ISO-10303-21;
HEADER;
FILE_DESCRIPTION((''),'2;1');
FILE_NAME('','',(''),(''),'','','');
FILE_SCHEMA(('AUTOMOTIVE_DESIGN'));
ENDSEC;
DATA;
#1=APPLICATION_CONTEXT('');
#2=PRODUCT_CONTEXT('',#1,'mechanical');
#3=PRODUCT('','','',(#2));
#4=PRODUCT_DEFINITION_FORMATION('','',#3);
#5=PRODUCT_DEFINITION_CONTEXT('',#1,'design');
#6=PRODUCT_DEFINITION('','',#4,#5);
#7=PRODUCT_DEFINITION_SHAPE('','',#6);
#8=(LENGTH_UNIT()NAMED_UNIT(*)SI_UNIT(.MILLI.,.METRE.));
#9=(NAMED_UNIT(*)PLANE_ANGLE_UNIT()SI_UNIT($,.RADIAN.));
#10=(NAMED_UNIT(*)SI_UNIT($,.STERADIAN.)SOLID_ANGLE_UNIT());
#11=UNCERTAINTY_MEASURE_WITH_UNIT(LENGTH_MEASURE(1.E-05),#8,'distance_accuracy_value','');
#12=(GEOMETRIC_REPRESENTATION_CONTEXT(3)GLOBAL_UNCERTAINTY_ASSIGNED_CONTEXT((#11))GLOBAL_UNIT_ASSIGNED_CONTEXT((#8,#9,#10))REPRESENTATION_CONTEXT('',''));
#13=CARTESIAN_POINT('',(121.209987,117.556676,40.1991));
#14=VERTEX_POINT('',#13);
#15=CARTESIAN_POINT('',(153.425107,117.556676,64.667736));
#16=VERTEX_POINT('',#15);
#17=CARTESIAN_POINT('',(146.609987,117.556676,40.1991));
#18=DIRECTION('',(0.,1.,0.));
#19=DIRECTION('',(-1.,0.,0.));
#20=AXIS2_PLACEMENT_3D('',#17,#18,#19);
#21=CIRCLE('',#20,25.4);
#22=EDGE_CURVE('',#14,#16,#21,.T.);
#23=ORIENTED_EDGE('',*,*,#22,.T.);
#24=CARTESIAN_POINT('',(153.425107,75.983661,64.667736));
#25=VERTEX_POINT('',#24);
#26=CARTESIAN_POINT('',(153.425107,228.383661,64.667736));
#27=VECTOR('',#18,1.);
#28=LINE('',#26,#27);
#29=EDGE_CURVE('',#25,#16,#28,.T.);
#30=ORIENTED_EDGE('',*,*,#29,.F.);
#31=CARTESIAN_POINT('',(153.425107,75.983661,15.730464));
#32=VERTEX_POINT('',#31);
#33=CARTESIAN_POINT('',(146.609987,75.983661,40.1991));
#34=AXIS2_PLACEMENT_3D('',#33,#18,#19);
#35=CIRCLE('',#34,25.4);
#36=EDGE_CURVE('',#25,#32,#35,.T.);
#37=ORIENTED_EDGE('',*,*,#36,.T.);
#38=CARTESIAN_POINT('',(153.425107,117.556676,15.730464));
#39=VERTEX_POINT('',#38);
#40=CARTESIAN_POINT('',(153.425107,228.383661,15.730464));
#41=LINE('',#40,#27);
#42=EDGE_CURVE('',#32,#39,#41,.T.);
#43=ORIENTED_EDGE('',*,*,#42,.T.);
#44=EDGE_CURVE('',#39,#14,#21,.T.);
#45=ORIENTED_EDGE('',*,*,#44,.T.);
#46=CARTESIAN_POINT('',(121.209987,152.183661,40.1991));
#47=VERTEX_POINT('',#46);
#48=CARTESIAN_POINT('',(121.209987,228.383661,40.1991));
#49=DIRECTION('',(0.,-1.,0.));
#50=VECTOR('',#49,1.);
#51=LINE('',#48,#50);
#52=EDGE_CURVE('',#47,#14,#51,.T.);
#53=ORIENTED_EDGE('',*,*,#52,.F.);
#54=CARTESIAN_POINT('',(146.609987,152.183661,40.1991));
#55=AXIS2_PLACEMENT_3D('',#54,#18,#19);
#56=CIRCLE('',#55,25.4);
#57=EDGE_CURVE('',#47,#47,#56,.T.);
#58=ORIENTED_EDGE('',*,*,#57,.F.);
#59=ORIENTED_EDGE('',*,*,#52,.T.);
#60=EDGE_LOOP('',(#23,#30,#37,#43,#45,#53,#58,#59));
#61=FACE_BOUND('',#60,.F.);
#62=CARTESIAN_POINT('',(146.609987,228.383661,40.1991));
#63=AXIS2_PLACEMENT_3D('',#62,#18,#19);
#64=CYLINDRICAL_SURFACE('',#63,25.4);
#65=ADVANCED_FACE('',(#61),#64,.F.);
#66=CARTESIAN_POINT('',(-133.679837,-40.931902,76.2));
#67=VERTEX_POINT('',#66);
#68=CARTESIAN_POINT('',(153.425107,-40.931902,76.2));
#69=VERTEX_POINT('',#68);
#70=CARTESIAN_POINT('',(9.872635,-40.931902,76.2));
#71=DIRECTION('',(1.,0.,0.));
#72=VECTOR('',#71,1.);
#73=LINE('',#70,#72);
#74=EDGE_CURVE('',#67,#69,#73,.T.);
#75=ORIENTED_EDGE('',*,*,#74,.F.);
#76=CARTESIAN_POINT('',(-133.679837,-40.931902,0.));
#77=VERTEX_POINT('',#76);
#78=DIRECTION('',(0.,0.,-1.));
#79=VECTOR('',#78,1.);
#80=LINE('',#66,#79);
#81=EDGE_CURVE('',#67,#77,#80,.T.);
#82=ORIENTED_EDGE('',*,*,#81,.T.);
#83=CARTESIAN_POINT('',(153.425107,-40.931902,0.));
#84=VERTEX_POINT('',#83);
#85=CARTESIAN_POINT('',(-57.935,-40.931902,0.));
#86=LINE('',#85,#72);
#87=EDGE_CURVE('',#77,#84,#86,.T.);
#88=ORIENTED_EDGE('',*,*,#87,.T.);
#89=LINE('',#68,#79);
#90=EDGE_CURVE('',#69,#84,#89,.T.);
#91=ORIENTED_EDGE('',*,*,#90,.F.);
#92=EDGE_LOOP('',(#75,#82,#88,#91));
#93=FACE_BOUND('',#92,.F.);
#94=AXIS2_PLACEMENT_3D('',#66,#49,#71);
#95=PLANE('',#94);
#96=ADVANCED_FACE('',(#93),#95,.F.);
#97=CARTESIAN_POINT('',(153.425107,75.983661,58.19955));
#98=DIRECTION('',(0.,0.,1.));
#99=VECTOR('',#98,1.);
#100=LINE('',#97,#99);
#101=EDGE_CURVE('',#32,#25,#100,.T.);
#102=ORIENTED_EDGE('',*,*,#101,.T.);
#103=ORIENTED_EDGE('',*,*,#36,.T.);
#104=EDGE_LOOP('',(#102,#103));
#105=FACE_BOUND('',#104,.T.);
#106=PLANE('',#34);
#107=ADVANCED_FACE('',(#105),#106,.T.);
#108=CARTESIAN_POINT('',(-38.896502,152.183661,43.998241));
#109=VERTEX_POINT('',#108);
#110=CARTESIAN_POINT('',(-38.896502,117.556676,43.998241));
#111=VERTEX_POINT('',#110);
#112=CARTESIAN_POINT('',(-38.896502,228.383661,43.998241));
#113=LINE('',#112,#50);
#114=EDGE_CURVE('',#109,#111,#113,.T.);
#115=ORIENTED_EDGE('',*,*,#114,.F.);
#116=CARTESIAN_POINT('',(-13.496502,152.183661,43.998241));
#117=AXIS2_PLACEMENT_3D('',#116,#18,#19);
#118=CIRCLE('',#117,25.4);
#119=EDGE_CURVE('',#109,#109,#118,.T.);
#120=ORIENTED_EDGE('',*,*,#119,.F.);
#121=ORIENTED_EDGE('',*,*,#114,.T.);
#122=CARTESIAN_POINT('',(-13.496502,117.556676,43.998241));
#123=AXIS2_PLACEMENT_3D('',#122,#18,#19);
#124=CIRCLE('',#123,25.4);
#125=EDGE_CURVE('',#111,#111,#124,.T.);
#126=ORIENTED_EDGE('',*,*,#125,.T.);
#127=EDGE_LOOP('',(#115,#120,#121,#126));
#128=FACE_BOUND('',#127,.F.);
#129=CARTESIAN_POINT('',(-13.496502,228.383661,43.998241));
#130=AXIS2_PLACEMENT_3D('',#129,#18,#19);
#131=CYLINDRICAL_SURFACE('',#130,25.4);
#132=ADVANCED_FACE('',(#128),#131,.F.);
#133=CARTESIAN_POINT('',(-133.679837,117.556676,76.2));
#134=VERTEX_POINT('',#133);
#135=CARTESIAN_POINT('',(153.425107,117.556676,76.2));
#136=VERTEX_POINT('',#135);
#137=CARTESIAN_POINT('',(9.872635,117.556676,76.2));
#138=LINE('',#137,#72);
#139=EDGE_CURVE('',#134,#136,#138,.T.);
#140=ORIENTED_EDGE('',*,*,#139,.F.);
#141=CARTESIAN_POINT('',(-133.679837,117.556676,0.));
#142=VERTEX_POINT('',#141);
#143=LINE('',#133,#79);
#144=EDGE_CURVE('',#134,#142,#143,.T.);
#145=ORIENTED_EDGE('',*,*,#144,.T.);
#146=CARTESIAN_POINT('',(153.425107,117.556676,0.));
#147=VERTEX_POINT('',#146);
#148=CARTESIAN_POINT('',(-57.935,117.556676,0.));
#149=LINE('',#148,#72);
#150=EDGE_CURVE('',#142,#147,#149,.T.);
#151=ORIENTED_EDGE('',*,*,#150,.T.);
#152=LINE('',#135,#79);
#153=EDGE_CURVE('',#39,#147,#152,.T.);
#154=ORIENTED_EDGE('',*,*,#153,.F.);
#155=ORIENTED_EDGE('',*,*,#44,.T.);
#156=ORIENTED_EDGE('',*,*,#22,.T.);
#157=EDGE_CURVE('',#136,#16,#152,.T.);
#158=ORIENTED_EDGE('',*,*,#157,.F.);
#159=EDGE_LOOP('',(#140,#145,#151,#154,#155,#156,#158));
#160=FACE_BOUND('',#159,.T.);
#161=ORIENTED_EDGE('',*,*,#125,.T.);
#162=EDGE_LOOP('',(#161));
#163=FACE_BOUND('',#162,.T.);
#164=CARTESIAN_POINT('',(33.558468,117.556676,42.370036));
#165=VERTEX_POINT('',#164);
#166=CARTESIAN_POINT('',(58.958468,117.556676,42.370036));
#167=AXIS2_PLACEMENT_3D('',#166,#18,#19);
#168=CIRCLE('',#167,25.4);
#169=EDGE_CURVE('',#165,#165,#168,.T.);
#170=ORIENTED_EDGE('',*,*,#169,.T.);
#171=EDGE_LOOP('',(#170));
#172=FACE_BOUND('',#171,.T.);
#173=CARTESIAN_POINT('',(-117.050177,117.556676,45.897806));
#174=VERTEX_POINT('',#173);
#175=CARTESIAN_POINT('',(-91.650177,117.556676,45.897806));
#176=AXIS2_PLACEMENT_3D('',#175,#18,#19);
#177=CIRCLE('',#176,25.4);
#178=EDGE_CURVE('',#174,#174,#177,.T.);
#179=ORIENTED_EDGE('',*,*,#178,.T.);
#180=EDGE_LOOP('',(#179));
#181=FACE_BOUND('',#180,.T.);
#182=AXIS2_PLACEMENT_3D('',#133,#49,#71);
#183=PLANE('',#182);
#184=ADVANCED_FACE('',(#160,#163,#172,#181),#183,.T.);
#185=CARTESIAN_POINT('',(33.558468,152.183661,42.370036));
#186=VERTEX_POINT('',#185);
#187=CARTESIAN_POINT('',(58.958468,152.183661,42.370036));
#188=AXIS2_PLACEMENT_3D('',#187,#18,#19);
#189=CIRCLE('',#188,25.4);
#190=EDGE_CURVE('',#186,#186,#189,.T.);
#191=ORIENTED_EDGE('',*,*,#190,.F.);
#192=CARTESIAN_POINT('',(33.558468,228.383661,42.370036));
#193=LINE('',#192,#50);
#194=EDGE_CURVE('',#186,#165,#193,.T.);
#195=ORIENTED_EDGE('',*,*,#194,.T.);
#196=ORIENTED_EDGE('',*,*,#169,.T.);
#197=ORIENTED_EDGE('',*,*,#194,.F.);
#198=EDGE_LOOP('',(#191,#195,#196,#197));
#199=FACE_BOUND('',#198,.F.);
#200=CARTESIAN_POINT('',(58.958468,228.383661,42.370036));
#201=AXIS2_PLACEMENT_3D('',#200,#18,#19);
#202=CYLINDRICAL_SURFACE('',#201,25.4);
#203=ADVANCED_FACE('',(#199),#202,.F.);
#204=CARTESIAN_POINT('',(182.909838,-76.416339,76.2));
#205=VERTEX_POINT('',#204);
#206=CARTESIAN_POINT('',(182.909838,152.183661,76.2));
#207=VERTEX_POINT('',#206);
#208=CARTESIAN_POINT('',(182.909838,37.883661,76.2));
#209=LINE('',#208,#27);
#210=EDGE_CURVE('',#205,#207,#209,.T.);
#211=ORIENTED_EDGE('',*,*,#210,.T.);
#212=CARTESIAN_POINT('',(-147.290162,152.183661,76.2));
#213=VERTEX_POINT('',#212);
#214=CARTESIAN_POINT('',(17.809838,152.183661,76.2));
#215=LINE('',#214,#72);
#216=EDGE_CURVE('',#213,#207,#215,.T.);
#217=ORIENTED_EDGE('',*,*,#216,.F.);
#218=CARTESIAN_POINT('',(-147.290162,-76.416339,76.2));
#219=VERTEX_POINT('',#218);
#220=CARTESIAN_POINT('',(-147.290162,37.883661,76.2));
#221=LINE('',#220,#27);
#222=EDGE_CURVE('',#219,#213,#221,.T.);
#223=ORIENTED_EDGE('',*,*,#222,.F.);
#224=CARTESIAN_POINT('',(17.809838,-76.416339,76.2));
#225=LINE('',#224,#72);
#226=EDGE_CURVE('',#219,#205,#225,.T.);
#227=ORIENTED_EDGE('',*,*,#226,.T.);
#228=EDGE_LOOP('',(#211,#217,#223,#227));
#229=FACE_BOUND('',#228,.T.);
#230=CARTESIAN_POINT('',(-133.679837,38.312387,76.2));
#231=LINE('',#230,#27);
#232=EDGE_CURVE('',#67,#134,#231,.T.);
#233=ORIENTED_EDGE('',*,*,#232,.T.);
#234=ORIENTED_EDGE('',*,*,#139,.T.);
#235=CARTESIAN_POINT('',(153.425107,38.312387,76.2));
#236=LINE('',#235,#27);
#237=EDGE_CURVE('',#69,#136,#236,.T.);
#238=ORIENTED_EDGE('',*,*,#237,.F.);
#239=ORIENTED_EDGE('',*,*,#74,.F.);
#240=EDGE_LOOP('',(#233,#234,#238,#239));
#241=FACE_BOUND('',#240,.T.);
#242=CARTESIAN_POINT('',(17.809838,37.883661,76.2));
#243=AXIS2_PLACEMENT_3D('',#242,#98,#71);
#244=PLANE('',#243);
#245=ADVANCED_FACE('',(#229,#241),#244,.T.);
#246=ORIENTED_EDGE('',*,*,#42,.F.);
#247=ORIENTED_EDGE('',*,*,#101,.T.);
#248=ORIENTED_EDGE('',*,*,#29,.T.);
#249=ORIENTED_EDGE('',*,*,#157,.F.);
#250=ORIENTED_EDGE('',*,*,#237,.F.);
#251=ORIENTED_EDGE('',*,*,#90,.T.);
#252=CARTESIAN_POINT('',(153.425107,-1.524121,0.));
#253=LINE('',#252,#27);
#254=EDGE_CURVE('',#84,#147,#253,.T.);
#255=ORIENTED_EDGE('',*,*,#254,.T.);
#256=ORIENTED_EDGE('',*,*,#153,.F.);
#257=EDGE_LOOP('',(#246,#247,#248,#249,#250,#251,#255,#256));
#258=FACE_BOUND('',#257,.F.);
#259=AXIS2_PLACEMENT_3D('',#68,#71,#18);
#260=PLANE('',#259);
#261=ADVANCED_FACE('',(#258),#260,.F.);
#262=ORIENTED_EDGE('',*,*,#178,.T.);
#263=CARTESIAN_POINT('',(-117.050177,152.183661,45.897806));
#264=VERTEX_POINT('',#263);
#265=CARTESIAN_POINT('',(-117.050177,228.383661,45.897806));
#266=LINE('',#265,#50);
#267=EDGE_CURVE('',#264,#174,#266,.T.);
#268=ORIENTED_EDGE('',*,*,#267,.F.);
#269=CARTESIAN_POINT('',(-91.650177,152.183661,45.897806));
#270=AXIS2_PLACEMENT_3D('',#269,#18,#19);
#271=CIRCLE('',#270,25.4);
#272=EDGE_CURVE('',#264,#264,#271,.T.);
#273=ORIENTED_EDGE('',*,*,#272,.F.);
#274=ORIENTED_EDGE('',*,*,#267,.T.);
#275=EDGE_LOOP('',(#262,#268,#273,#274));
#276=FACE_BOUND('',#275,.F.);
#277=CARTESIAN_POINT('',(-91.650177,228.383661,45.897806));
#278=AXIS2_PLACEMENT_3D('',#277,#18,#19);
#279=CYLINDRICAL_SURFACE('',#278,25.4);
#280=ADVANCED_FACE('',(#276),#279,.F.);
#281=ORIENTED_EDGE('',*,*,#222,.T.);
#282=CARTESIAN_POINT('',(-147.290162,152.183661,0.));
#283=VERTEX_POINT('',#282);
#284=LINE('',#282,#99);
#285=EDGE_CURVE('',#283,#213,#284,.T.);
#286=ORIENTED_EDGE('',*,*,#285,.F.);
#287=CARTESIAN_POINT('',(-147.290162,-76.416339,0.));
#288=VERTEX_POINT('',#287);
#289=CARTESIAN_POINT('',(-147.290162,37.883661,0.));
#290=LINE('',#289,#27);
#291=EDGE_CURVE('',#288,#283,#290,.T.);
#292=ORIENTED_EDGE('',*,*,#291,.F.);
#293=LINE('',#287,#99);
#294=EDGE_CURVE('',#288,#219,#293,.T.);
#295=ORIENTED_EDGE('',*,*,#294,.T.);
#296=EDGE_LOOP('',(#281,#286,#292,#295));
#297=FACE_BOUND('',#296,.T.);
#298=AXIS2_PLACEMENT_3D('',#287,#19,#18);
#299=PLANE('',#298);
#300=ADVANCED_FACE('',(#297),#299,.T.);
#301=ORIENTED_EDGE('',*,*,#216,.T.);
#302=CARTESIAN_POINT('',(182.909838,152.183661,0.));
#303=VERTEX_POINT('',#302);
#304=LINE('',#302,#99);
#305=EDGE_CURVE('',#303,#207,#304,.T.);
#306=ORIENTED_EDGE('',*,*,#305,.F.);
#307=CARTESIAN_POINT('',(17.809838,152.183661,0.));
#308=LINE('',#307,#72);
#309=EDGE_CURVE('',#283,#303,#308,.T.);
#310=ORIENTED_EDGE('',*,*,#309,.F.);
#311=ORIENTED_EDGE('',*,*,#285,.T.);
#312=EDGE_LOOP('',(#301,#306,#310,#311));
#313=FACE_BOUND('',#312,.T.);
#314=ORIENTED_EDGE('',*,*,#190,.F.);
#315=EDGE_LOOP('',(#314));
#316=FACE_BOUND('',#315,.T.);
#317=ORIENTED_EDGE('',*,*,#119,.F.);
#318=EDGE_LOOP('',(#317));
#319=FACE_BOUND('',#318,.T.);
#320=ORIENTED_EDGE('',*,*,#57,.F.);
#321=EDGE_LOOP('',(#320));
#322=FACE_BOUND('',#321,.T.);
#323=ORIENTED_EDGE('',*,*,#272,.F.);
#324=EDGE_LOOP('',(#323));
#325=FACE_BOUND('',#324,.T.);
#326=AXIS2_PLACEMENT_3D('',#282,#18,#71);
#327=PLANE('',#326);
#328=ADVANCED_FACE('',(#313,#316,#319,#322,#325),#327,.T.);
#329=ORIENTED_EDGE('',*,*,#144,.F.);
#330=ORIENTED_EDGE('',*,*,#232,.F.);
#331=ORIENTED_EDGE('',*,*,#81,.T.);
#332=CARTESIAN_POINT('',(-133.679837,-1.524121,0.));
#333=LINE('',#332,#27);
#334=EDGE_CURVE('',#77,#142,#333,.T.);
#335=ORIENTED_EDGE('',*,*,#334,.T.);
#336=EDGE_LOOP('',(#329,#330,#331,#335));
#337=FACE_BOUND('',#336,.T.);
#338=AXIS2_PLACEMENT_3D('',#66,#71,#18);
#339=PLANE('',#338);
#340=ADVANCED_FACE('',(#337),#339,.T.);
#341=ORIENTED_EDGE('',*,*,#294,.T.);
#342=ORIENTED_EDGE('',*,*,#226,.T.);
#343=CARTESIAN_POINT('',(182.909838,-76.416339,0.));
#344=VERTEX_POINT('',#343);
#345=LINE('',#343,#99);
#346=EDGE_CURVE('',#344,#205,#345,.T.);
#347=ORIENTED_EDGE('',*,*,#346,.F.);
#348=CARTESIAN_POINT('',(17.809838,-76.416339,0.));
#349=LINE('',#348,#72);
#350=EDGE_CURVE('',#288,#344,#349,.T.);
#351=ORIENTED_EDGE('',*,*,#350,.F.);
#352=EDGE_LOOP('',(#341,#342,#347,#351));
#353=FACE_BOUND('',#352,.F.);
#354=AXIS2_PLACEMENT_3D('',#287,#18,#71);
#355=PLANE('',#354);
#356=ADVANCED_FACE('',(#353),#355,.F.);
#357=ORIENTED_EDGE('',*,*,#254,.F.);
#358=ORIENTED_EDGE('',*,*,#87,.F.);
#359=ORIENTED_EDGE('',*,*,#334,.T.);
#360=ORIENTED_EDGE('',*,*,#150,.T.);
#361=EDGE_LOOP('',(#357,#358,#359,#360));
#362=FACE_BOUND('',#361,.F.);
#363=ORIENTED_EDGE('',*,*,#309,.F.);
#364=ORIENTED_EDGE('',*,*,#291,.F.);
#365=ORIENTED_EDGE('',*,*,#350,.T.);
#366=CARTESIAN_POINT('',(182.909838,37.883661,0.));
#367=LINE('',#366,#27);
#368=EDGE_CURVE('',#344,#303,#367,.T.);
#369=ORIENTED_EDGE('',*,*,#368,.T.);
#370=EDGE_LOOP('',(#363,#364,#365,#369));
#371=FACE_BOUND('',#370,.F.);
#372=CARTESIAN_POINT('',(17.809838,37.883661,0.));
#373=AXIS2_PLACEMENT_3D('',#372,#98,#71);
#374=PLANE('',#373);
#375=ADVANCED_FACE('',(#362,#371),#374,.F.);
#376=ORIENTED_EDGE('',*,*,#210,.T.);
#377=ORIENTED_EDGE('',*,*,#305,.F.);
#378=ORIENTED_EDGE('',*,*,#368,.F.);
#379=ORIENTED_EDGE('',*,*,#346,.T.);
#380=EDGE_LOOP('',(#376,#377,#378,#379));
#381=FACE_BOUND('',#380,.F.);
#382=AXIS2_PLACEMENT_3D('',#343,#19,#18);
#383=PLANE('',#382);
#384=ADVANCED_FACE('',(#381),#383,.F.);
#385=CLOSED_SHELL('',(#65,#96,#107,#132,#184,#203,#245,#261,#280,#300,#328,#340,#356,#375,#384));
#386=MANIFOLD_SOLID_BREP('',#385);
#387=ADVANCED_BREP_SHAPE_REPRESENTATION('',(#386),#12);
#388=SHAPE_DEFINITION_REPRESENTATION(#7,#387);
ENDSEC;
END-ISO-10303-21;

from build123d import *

# Parameters (mm, degrees)
F0_W      = 330.2
F0_H      = 228.6
F1_DEPTH  = 76.2
F4_W      = 287.104944
F4_H      = 158.488579
F5_DEPTH  = 127
F2_R      = 25.4
F6_DEPTH  = 76.2
F6_FACE_R = 25.4
F7_DEPTH  = 152.4


with BuildPart() as f1:
    # F0 (on Top) → F1 (new body)
    with BuildSketch(Plane.XY):
        with Locations((17.809838, 37.883661)):
            Rectangle(F0_W, F0_H)
    extrude(amount=F1_DEPTH)

    # F4 (on face) → F5 (cut)
    with BuildSketch(Plane.XY.offset(76.2)):
        with Locations((9.872635, 38.312387)):
            Rectangle(F4_W, F4_H)
    extrude(amount=-F5_DEPTH, mode=Mode.SUBTRACT)

    # F2 (on face) → F6 (join)
    with BuildSketch(Plane(origin=(0, 152.183661, 0), x_dir=(-1, 0, 0), z_dir=(0, 1, 0))):
        with Locations((-146.609987, 40.1991)):
            Circle(F2_R)
        with Locations((-58.958468, 42.370036)):
            Circle(F2_R)
        with Locations((13.496502, 43.998241)):
            Circle(F2_R)
        with Locations((91.650177, 45.897806)):
            Circle(F2_R)
    extrude(amount=F6_DEPTH)

    # F6_face (on face) → F7 (cut)
    with BuildSketch(Plane(origin=(146.609987, 228.383661, 40.1991), x_dir=(-1, 0, 0), z_dir=(0, 1, 0))):
        Circle(F6_FACE_R)
        with Locations((87.651519, 2.170936)):
            Circle(F6_FACE_R)
        with Locations((160.106489, 3.799141)):
            Circle(F6_FACE_R)
        with Locations((238.260164, 5.698706)):
            Circle(F6_FACE_R)
    extrude(amount=-F7_DEPTH, mode=Mode.SUBTRACT)


solid = f1.part
